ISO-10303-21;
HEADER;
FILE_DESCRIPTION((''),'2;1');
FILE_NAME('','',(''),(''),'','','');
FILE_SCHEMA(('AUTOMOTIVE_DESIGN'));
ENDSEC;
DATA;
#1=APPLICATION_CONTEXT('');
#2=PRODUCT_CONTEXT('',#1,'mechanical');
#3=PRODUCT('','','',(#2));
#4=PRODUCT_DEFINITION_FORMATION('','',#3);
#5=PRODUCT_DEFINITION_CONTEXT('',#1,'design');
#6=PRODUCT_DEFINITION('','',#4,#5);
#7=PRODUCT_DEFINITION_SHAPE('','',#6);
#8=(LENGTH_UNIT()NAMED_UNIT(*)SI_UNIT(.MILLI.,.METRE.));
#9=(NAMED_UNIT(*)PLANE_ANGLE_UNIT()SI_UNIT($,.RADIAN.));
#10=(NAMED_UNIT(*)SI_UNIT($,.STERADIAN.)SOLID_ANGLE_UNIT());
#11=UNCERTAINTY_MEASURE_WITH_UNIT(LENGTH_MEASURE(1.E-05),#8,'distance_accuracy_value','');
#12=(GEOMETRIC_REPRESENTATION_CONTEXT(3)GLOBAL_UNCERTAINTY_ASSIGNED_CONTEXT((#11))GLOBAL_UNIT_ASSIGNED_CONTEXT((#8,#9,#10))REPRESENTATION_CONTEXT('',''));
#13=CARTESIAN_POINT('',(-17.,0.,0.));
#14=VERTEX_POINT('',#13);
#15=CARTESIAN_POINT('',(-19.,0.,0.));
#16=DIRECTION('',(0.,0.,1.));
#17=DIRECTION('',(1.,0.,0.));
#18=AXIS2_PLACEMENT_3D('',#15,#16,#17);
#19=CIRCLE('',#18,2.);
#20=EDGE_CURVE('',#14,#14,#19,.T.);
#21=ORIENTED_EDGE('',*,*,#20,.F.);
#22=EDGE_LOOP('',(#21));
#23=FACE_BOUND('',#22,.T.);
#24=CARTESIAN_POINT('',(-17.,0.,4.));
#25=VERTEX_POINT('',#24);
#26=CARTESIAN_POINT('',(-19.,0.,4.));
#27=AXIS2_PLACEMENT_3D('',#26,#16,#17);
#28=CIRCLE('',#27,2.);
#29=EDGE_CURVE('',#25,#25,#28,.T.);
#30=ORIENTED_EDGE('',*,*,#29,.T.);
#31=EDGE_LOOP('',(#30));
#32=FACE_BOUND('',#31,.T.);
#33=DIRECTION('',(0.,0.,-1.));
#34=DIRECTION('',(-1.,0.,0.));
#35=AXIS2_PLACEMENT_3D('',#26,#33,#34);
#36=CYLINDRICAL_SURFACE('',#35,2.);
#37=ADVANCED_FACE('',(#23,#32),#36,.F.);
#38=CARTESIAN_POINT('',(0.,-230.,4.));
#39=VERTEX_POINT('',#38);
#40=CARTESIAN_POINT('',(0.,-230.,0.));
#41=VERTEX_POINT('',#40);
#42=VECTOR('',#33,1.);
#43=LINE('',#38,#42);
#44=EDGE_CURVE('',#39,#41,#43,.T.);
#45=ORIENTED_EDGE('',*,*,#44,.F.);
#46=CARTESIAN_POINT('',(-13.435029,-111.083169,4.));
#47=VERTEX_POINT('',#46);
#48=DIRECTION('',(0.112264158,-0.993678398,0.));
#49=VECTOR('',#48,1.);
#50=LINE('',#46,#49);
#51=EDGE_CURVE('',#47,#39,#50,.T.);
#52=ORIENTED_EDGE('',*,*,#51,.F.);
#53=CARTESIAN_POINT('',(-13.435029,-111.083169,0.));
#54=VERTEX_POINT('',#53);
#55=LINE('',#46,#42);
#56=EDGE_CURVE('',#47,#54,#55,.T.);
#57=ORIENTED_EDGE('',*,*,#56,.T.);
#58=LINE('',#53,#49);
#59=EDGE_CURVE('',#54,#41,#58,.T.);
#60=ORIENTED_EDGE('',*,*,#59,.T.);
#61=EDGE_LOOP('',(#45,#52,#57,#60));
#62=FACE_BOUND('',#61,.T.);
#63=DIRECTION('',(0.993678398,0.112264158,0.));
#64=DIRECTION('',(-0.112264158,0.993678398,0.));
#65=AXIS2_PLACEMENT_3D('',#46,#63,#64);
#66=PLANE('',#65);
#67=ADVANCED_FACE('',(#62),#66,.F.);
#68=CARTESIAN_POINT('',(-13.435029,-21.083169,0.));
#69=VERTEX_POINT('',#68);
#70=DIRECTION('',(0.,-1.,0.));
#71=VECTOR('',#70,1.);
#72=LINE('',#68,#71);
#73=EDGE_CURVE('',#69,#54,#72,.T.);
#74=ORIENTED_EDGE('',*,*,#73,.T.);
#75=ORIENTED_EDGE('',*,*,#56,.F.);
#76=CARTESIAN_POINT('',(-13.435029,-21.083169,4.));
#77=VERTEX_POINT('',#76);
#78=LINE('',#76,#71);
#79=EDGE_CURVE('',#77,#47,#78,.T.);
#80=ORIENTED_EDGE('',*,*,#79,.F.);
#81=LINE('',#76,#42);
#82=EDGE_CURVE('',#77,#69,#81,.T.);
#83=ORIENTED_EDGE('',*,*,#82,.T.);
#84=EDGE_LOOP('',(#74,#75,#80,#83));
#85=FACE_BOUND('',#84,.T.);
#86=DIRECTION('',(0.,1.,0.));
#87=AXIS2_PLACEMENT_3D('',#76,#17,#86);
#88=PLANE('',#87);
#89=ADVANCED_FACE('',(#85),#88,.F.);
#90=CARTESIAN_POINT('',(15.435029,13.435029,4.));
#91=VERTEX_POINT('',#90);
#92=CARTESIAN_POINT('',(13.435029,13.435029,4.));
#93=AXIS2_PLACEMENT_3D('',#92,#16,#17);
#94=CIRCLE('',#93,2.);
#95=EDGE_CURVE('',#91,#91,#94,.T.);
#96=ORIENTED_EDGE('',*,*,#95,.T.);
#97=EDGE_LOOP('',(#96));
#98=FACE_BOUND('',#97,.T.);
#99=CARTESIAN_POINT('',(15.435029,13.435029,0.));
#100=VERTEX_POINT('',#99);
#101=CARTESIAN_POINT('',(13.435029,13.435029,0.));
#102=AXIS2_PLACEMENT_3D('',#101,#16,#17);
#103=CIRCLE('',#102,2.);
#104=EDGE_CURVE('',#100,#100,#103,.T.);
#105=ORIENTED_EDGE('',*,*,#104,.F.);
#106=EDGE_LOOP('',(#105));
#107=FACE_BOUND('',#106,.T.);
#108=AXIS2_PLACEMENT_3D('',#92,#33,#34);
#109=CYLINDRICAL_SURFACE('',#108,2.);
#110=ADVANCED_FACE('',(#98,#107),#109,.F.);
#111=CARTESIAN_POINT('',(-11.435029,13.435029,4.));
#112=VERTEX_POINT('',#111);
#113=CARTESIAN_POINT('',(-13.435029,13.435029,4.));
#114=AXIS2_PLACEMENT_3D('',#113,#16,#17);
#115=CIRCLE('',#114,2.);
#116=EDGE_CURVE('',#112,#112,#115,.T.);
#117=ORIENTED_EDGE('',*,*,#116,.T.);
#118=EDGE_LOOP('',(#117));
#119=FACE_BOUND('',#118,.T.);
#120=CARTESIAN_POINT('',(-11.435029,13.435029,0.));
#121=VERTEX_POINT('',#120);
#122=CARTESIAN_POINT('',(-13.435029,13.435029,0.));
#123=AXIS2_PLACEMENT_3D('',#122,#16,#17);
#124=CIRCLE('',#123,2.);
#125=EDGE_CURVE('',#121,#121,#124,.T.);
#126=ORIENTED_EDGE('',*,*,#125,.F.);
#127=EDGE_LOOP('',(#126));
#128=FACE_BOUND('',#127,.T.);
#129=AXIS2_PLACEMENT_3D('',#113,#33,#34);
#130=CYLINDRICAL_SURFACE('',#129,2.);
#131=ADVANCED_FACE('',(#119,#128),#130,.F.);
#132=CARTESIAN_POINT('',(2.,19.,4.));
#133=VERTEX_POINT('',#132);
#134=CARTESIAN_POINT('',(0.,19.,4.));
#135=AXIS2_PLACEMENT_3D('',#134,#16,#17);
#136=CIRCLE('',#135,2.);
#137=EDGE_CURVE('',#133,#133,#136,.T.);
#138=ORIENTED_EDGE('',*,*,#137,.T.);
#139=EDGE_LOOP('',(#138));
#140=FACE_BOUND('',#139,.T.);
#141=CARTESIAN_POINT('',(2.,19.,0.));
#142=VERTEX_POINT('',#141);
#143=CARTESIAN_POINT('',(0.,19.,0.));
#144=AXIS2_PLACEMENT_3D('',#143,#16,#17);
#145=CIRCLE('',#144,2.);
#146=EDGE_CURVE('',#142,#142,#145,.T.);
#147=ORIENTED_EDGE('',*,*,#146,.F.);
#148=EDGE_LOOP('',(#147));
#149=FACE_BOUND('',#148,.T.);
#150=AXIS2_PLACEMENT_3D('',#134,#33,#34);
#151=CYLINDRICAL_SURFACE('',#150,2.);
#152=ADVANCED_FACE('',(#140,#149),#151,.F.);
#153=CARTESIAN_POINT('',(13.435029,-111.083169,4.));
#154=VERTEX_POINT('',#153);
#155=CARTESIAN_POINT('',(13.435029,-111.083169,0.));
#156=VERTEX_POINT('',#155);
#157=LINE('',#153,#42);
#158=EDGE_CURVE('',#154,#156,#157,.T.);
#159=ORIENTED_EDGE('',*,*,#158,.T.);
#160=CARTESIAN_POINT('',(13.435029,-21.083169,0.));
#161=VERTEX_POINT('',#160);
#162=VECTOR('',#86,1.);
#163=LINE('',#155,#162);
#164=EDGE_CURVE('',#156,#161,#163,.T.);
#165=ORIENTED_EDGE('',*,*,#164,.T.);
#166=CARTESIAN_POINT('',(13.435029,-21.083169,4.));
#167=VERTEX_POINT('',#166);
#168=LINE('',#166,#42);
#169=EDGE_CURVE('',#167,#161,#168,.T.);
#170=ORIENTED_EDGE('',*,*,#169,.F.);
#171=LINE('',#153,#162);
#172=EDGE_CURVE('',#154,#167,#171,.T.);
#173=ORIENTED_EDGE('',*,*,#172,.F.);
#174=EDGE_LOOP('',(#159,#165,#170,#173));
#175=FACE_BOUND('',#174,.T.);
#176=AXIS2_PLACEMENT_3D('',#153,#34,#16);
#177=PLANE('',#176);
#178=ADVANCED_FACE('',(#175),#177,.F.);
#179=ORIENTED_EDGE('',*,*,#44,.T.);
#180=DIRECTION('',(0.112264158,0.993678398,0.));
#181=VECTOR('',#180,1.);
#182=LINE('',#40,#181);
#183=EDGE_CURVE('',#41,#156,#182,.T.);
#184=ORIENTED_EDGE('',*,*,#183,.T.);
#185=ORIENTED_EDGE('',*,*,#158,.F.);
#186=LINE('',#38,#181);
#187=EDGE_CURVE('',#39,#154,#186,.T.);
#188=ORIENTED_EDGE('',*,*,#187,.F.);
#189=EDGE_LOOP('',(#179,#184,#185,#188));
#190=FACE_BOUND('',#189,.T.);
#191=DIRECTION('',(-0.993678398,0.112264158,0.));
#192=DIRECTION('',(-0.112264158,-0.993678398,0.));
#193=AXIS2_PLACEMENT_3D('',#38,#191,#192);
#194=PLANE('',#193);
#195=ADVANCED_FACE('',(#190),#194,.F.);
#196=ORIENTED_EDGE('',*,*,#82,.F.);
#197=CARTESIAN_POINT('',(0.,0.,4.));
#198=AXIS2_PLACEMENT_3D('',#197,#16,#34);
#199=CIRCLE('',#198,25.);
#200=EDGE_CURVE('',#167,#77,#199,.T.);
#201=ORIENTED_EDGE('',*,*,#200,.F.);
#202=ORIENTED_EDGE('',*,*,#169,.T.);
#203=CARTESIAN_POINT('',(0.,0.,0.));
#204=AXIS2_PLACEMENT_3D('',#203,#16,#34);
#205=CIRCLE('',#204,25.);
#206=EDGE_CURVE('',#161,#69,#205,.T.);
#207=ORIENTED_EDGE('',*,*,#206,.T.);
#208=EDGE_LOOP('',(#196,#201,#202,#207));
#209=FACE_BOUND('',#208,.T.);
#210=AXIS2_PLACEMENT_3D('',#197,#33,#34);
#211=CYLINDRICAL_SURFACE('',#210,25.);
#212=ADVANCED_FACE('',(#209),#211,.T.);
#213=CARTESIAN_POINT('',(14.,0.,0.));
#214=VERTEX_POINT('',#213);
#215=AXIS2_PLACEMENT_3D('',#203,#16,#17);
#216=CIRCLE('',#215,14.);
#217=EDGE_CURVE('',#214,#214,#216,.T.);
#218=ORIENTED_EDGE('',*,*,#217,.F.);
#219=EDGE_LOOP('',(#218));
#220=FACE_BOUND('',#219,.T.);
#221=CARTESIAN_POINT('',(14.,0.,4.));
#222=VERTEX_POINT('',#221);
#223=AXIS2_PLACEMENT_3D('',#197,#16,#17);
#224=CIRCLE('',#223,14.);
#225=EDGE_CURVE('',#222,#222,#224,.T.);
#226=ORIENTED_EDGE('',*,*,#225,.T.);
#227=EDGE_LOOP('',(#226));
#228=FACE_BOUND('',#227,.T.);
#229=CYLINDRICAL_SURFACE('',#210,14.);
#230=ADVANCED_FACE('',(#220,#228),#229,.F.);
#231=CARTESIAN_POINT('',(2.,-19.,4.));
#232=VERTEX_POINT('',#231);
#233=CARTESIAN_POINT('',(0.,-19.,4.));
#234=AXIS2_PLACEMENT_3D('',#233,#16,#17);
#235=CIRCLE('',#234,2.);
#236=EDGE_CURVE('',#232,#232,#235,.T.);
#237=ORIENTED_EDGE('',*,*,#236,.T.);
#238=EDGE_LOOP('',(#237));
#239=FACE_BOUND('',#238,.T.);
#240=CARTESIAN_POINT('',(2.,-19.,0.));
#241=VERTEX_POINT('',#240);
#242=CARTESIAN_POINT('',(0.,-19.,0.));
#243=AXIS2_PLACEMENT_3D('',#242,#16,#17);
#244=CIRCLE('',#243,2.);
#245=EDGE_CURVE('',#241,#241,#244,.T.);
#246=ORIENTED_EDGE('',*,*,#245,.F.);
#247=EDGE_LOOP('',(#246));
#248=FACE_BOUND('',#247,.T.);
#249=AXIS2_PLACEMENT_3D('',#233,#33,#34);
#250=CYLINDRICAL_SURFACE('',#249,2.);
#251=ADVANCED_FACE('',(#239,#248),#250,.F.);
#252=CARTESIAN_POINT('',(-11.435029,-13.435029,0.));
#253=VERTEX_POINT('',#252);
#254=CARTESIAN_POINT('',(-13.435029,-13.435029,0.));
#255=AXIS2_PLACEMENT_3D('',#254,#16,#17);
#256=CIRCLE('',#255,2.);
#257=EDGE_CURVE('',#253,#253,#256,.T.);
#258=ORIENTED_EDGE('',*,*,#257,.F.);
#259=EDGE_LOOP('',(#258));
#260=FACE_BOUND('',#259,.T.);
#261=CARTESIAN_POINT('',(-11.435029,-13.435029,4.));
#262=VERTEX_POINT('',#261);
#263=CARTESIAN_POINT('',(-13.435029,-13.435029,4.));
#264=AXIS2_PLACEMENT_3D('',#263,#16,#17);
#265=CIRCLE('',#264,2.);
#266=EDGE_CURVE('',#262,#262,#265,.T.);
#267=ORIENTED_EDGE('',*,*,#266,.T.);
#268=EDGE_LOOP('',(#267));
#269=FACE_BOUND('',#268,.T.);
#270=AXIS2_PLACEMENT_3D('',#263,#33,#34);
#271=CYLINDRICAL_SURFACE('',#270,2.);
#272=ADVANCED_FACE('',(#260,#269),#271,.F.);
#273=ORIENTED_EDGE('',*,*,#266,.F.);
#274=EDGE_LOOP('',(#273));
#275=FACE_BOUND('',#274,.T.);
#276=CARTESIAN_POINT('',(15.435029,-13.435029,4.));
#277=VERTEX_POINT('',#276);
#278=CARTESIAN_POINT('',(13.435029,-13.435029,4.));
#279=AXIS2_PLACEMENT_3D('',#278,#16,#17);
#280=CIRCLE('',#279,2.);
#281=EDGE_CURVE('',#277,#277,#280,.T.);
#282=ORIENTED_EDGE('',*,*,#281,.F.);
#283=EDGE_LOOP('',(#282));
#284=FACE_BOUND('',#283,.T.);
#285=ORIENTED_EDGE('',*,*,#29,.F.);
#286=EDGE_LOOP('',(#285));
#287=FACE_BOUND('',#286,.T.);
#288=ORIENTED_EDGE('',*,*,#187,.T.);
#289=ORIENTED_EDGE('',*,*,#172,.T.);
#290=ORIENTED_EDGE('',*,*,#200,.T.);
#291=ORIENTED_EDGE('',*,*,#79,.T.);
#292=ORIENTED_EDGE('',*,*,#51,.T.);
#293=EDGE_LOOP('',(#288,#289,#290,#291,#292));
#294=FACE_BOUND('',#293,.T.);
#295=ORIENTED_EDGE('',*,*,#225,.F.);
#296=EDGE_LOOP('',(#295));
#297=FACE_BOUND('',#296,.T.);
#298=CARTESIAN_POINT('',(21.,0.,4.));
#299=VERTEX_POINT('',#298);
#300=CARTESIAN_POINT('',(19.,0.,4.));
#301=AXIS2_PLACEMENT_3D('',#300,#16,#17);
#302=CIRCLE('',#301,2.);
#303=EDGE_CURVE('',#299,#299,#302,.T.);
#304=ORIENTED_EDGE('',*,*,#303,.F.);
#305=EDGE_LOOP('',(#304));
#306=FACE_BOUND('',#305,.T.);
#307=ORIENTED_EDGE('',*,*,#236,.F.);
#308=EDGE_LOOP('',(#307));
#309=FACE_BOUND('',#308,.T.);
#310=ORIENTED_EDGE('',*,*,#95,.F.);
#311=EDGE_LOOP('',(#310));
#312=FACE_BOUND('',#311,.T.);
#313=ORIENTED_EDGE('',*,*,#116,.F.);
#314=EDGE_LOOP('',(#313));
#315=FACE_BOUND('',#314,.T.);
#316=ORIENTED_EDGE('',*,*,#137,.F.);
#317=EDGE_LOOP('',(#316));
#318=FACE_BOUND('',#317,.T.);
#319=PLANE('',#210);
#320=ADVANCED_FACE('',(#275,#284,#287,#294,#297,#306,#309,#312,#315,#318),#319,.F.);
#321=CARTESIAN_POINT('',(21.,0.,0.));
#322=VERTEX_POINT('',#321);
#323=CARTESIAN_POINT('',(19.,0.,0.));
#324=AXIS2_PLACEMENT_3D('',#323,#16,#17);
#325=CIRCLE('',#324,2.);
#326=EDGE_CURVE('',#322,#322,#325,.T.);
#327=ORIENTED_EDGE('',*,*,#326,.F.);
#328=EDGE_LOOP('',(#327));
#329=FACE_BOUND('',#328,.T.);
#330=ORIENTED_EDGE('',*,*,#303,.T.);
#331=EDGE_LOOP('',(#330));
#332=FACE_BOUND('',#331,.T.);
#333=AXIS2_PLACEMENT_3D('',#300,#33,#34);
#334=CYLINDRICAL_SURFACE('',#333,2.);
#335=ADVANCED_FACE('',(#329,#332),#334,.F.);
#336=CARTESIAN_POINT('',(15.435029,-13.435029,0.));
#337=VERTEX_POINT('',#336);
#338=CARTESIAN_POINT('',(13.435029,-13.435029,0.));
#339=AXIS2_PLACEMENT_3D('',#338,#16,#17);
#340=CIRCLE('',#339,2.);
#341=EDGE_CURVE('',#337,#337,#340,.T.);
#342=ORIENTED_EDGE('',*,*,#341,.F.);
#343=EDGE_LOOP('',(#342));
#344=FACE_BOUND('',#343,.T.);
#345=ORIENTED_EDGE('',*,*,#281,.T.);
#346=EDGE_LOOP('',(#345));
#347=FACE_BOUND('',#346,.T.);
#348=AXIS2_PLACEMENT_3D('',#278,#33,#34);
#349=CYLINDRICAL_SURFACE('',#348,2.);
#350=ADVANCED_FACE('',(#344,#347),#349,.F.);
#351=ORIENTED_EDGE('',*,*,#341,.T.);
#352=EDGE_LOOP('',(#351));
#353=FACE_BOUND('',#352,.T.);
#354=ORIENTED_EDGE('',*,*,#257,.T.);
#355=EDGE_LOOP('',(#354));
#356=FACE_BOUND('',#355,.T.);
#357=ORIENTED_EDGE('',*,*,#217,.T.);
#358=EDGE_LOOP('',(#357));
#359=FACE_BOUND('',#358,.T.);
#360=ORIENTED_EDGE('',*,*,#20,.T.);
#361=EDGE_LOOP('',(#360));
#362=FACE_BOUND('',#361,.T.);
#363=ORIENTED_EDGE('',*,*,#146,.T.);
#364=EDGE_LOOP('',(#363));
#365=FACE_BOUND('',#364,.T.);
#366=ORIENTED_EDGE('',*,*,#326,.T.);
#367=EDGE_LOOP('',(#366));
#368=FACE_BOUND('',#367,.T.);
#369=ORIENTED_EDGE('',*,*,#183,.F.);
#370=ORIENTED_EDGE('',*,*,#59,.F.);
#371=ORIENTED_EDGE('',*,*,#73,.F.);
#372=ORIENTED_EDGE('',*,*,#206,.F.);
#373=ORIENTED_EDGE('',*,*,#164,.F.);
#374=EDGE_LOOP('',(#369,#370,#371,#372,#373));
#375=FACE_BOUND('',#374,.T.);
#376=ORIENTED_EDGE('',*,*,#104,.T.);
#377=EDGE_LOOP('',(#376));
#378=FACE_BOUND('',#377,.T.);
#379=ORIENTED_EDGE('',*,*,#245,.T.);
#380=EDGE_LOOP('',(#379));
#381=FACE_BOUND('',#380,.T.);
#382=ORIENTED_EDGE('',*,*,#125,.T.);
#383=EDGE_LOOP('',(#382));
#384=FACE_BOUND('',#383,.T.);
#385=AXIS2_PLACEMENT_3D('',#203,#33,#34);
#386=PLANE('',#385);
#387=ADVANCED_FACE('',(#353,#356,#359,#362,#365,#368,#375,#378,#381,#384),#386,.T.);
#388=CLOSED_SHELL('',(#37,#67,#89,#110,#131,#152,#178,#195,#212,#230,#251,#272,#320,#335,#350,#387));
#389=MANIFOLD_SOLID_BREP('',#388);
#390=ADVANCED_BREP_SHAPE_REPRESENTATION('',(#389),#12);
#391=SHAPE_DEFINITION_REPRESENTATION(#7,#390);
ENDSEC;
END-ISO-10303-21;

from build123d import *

# Parameters (mm, degrees)
SKETCH_1_R      = 14
SKETCH_1_R_2    = 2
EXTRUDE_1_DEPTH = 4


with BuildPart() as part:
    # 草图1 → 凸台-拉伸1 (new body)
    with BuildSketch(Plane.XY):
        with BuildLine():
            Line((-13.435028843, -21.083168642), (-13.435028843, -111.083168642))
            Line((-13.435028843, -111.083168642), (0, -230))
            Line((0, -230), (13.435028843, -111.083168642))
            Line((13.435028843, -111.083168642), (13.435028843, -21.083168642))
            ThreePointArc((13.435028843, -21.083168642), (0, 25), (-13.435028843, -21.083168642))
        make_face()
        Circle(SKETCH_1_R, mode=Mode.SUBTRACT)
        with Locations((0, 19)):
            Circle(SKETCH_1_R_2, mode=Mode.SUBTRACT)
        with Locations((13.435028843, 13.435028843)):
            Circle(SKETCH_1_R_2, mode=Mode.SUBTRACT)
        with Locations((19, 0)):
            Circle(SKETCH_1_R_2, mode=Mode.SUBTRACT)
        with Locations((13.435028843, -13.435028843)):
            Circle(SKETCH_1_R_2, mode=Mode.SUBTRACT)
        with Locations((0, -19)):
            Circle(SKETCH_1_R_2, mode=Mode.SUBTRACT)
        with Locations((-13.435028843, -13.435028843)):
            Circle(SKETCH_1_R_2, mode=Mode.SUBTRACT)
        with Locations((-19, 0)):
            Circle(SKETCH_1_R_2, mode=Mode.SUBTRACT)
        with Locations((-13.435028843, 13.435028843)):
            Circle(SKETCH_1_R_2, mode=Mode.SUBTRACT)
    extrude(amount=EXTRUDE_1_DEPTH)


solid = part.part
